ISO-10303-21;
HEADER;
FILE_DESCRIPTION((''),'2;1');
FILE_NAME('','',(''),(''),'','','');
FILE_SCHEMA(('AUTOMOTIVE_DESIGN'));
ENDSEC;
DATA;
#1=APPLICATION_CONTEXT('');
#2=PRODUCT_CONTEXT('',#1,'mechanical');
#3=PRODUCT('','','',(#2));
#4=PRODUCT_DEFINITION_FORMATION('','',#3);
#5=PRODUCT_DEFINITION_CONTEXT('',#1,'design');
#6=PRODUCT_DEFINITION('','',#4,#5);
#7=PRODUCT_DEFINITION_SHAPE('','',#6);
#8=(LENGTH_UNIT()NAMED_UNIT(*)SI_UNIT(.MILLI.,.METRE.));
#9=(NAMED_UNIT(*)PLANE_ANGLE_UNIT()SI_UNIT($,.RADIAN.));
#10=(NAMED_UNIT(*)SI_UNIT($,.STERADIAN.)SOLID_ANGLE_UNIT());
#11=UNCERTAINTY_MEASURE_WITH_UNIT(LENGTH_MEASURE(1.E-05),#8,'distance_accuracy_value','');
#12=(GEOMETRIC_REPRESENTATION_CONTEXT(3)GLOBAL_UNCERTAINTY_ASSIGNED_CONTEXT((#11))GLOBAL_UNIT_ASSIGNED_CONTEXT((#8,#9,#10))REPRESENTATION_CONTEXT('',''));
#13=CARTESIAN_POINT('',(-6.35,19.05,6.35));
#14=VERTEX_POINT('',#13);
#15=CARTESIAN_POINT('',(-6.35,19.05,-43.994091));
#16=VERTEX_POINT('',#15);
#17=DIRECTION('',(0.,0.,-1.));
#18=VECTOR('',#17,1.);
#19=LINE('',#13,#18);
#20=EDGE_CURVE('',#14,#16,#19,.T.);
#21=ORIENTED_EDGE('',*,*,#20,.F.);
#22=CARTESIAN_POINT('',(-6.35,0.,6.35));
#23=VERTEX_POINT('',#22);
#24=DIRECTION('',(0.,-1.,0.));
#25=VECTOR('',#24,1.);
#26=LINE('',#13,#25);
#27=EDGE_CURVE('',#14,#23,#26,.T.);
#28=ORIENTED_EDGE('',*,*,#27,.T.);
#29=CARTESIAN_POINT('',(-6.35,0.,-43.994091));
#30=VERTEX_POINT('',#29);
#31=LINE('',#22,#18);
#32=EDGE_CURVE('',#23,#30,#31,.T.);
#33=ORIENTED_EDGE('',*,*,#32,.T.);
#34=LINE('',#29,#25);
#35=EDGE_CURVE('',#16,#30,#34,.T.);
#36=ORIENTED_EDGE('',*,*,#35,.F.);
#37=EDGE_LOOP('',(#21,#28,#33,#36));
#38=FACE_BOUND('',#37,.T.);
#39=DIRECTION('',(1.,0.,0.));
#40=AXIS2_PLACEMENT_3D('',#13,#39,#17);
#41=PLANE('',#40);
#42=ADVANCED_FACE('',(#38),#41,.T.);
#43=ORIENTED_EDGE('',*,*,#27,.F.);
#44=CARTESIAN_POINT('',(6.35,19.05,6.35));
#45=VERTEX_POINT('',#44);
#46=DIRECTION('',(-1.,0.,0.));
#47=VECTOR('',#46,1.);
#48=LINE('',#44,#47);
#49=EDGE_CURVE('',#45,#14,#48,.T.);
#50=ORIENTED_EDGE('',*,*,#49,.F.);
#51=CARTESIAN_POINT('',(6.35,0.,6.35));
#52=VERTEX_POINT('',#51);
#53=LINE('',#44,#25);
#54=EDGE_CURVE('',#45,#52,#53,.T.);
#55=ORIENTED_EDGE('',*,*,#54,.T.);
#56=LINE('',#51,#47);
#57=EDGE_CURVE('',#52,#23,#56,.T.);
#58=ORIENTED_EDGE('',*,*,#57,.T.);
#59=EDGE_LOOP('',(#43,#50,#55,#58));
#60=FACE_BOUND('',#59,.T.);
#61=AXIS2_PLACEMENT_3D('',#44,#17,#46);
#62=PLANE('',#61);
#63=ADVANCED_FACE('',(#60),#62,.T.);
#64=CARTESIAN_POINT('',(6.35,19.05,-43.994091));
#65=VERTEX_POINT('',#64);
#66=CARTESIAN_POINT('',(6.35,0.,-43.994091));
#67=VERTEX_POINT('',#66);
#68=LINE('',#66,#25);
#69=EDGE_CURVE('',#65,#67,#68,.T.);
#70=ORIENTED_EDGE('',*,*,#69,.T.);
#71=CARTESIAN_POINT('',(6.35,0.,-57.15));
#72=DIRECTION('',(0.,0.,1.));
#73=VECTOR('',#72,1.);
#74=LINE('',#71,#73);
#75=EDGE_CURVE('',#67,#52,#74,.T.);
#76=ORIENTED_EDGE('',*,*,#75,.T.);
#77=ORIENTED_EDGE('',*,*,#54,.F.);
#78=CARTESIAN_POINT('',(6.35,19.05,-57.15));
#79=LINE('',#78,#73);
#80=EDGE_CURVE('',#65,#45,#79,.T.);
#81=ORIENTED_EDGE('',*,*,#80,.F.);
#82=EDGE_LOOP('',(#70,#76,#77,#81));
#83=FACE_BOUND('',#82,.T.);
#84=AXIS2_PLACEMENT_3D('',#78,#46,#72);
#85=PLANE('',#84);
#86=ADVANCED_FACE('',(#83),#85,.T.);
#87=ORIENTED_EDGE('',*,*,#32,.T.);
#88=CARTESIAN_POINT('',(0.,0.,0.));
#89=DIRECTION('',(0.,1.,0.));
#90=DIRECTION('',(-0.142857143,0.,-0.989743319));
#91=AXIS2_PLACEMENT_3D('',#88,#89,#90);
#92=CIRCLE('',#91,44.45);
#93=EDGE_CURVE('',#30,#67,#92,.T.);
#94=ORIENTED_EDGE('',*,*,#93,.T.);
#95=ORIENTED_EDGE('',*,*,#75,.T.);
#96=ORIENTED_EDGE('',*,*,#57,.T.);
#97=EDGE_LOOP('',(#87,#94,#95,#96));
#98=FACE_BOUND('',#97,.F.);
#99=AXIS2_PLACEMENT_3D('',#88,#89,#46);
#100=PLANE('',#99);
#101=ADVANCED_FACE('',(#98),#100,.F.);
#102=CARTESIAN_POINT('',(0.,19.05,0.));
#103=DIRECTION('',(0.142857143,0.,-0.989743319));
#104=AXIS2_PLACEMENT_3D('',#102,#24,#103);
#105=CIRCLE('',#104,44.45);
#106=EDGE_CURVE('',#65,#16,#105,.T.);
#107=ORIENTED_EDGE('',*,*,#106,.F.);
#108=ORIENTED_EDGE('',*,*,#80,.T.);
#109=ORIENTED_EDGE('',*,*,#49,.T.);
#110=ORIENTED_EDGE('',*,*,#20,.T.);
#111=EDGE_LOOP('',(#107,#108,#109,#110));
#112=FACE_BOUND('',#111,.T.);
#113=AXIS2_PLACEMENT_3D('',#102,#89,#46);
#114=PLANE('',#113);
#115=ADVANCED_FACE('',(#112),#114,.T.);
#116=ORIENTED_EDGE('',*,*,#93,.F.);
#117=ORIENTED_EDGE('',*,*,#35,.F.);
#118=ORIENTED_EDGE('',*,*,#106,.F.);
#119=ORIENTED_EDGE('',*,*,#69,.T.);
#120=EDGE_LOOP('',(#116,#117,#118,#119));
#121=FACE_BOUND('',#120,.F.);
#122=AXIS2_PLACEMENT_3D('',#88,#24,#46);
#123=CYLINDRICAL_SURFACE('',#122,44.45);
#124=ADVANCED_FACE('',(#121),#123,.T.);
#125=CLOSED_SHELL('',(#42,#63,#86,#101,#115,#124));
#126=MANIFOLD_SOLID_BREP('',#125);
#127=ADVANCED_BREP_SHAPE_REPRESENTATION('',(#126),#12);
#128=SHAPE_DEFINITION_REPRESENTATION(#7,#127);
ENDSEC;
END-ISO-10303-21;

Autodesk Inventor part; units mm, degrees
ref_plane "YZ Plane" through (0, 0, 0) normal (1, 0, 0) x (0, 1, 0)
ref_plane "XZ Plane" through (0, 0, 0) normal (0, 1, 0) x (-1, 0, 0)
ref_plane "XY Plane" through (0, 0, 0) normal (0, 0, 1) x (1, 0, 0)
sketch "Sketch1" plane through (0, 0, 0) normal (0, 1, 0) x (-1, 0, 0)
  circle A0 centre (0, 0) radius 44.45
  dimension "d0" = 88.9
extrude "Extrusion1" add sketch "Sketch1" along normal blind 19.05
sketch "Sketch2" plane through (0, 19.05, 0) normal (0, 1, 0) x (1, 0, 0)
  line L0 (6.35, -6.35) -> (-6.35, -6.35)
  line L1 (-6.35, -6.35) -> (-6.35, 57.15)
  line L2 (-6.35, 57.15) -> (6.35, 57.15)
  line L3 (6.35, 57.15) -> (6.35, -6.35)
  line L4 (6.35, -6.35) -> (-6.35, 57.15) construction
  line L5 (-6.35, -6.35) -> (6.35, 57.15) construction
  point P0 (0, 0)
  point P1 (0, 25.4)
  point P2 (0, -6.35)
  dimension "d3" = 12.7
  dimension "d4" = 63.5
  dimension "d5" = 6.35
  dimension "d6" = 0
extrude "Extrusion2" cut sketch "Sketch2" against normal blind 19.05
properties part number "1kg Disc Mass"
